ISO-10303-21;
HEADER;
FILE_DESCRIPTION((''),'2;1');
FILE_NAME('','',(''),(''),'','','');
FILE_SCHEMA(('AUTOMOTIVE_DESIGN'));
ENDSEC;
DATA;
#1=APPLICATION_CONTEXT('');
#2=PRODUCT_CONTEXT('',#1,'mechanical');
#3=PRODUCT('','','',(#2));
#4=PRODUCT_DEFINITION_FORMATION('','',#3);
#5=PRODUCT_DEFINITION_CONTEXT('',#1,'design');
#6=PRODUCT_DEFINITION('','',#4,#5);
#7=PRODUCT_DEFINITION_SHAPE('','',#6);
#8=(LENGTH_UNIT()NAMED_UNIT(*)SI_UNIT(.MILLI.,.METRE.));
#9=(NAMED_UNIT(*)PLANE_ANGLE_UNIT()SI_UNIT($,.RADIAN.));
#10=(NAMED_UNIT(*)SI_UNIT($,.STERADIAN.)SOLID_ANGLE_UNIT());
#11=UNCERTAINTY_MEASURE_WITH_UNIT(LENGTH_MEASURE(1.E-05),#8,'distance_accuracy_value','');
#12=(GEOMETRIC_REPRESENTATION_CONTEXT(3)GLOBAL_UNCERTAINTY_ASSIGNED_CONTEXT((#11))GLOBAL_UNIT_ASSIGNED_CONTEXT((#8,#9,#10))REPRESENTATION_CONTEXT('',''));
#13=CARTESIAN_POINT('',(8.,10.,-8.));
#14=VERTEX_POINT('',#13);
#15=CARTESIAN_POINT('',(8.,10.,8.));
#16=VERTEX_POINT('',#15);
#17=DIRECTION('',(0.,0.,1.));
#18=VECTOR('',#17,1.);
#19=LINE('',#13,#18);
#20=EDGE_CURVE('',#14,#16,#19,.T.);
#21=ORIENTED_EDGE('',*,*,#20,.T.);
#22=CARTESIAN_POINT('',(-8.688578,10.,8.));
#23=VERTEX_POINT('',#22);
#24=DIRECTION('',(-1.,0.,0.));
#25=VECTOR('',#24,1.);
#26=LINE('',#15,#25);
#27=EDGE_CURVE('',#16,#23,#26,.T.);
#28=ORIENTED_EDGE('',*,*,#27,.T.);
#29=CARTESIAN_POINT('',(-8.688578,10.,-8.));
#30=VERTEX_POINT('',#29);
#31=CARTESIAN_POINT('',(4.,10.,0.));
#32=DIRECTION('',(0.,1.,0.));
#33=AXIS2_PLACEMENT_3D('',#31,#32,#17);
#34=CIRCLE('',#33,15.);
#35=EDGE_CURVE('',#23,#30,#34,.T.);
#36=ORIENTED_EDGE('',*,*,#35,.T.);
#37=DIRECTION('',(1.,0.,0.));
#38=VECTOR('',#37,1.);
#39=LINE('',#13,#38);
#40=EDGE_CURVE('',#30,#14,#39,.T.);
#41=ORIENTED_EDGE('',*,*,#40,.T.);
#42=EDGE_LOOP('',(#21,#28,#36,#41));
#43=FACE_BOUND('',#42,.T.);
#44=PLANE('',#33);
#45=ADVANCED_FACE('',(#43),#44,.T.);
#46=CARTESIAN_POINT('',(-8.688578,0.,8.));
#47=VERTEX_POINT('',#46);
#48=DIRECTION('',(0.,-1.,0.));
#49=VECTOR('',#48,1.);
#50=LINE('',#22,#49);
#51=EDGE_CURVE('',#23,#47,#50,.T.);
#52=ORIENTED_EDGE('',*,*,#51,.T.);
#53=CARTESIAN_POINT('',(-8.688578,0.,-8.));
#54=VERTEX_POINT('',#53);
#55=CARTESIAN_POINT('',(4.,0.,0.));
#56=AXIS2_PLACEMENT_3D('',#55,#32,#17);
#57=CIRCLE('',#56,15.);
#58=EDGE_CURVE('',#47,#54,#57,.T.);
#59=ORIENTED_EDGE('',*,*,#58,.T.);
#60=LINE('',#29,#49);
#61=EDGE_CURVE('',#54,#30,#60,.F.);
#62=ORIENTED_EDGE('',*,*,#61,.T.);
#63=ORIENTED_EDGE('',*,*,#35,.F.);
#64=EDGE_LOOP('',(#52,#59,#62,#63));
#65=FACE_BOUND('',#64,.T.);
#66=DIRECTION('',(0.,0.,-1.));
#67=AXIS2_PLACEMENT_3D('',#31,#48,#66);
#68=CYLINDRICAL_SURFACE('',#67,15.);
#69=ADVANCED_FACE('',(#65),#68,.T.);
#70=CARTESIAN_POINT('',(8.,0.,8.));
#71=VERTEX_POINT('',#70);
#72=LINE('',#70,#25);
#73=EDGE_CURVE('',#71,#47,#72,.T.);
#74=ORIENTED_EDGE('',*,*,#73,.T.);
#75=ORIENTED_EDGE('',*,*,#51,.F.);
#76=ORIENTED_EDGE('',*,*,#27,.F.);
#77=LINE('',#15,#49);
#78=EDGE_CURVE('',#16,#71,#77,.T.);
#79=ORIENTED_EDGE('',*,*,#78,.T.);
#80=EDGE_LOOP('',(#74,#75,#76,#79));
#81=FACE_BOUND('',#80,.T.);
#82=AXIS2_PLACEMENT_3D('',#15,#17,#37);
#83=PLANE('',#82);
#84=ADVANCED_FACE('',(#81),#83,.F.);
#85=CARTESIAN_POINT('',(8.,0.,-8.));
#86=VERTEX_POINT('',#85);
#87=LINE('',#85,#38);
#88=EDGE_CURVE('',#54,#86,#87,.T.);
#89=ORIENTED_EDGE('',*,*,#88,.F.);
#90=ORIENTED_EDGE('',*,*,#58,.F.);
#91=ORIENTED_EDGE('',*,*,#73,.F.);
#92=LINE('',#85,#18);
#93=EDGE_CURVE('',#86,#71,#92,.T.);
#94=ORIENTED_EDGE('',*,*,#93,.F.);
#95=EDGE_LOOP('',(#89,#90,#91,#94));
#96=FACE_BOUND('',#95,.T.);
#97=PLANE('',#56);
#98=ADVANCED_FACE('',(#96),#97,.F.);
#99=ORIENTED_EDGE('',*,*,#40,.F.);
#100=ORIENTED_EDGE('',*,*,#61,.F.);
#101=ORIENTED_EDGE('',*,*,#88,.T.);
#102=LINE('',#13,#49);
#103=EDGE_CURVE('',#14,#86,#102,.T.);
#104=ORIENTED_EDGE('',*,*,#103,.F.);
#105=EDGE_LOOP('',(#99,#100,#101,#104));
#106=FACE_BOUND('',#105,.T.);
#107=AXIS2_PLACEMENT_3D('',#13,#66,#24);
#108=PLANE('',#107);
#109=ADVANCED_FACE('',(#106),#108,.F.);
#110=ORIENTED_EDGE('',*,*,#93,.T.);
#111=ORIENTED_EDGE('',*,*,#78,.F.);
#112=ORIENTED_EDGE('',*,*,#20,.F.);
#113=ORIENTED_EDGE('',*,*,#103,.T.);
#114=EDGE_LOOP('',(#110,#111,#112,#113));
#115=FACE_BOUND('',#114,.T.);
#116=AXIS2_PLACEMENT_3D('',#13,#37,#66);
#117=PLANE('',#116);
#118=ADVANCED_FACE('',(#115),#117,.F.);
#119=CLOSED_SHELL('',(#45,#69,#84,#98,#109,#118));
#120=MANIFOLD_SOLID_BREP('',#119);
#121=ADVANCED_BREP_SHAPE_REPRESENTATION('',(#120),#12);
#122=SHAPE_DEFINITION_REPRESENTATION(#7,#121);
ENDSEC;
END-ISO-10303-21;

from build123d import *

# Parameters (mm, degrees)
SKETCH1_R           = 15
SKETCH1_R_2         = 7.5
BOSS_EXTRUDE1_DEPTH = 10
SKETCH2_W           = 25
SKETCH2_H           = 16
CUT_EXTRUDE1_DEPTH  = 27.191601707


with BuildPart() as part:
    # Sketch1 → Boss-Extrude1 (new body)
    with BuildSketch(Plane(origin=(0, 0, 0), x_dir=(1, 0, 0), z_dir=(0, 1, 0))):
        with Locations(Location((4, 0, 0), (0, 0, 270))):
            Circle(SKETCH1_R)
        with Locations(Location((0, 0, 0), (0, 0, 270))):
            Circle(SKETCH1_R_2, mode=Mode.SUBTRACT)
    extrude(amount=BOSS_EXTRUDE1_DEPTH)

    # Sketch2 → Cut-Extrude1 (cut, through all)
    with BuildSketch(Plane.XZ):
        with Locations((-4.5, 0)):
            Rectangle(SKETCH2_W, SKETCH2_H)
    extrude(amount=-CUT_EXTRUDE1_DEPTH, mode=Mode.SUBTRACT)


solid = part.part
